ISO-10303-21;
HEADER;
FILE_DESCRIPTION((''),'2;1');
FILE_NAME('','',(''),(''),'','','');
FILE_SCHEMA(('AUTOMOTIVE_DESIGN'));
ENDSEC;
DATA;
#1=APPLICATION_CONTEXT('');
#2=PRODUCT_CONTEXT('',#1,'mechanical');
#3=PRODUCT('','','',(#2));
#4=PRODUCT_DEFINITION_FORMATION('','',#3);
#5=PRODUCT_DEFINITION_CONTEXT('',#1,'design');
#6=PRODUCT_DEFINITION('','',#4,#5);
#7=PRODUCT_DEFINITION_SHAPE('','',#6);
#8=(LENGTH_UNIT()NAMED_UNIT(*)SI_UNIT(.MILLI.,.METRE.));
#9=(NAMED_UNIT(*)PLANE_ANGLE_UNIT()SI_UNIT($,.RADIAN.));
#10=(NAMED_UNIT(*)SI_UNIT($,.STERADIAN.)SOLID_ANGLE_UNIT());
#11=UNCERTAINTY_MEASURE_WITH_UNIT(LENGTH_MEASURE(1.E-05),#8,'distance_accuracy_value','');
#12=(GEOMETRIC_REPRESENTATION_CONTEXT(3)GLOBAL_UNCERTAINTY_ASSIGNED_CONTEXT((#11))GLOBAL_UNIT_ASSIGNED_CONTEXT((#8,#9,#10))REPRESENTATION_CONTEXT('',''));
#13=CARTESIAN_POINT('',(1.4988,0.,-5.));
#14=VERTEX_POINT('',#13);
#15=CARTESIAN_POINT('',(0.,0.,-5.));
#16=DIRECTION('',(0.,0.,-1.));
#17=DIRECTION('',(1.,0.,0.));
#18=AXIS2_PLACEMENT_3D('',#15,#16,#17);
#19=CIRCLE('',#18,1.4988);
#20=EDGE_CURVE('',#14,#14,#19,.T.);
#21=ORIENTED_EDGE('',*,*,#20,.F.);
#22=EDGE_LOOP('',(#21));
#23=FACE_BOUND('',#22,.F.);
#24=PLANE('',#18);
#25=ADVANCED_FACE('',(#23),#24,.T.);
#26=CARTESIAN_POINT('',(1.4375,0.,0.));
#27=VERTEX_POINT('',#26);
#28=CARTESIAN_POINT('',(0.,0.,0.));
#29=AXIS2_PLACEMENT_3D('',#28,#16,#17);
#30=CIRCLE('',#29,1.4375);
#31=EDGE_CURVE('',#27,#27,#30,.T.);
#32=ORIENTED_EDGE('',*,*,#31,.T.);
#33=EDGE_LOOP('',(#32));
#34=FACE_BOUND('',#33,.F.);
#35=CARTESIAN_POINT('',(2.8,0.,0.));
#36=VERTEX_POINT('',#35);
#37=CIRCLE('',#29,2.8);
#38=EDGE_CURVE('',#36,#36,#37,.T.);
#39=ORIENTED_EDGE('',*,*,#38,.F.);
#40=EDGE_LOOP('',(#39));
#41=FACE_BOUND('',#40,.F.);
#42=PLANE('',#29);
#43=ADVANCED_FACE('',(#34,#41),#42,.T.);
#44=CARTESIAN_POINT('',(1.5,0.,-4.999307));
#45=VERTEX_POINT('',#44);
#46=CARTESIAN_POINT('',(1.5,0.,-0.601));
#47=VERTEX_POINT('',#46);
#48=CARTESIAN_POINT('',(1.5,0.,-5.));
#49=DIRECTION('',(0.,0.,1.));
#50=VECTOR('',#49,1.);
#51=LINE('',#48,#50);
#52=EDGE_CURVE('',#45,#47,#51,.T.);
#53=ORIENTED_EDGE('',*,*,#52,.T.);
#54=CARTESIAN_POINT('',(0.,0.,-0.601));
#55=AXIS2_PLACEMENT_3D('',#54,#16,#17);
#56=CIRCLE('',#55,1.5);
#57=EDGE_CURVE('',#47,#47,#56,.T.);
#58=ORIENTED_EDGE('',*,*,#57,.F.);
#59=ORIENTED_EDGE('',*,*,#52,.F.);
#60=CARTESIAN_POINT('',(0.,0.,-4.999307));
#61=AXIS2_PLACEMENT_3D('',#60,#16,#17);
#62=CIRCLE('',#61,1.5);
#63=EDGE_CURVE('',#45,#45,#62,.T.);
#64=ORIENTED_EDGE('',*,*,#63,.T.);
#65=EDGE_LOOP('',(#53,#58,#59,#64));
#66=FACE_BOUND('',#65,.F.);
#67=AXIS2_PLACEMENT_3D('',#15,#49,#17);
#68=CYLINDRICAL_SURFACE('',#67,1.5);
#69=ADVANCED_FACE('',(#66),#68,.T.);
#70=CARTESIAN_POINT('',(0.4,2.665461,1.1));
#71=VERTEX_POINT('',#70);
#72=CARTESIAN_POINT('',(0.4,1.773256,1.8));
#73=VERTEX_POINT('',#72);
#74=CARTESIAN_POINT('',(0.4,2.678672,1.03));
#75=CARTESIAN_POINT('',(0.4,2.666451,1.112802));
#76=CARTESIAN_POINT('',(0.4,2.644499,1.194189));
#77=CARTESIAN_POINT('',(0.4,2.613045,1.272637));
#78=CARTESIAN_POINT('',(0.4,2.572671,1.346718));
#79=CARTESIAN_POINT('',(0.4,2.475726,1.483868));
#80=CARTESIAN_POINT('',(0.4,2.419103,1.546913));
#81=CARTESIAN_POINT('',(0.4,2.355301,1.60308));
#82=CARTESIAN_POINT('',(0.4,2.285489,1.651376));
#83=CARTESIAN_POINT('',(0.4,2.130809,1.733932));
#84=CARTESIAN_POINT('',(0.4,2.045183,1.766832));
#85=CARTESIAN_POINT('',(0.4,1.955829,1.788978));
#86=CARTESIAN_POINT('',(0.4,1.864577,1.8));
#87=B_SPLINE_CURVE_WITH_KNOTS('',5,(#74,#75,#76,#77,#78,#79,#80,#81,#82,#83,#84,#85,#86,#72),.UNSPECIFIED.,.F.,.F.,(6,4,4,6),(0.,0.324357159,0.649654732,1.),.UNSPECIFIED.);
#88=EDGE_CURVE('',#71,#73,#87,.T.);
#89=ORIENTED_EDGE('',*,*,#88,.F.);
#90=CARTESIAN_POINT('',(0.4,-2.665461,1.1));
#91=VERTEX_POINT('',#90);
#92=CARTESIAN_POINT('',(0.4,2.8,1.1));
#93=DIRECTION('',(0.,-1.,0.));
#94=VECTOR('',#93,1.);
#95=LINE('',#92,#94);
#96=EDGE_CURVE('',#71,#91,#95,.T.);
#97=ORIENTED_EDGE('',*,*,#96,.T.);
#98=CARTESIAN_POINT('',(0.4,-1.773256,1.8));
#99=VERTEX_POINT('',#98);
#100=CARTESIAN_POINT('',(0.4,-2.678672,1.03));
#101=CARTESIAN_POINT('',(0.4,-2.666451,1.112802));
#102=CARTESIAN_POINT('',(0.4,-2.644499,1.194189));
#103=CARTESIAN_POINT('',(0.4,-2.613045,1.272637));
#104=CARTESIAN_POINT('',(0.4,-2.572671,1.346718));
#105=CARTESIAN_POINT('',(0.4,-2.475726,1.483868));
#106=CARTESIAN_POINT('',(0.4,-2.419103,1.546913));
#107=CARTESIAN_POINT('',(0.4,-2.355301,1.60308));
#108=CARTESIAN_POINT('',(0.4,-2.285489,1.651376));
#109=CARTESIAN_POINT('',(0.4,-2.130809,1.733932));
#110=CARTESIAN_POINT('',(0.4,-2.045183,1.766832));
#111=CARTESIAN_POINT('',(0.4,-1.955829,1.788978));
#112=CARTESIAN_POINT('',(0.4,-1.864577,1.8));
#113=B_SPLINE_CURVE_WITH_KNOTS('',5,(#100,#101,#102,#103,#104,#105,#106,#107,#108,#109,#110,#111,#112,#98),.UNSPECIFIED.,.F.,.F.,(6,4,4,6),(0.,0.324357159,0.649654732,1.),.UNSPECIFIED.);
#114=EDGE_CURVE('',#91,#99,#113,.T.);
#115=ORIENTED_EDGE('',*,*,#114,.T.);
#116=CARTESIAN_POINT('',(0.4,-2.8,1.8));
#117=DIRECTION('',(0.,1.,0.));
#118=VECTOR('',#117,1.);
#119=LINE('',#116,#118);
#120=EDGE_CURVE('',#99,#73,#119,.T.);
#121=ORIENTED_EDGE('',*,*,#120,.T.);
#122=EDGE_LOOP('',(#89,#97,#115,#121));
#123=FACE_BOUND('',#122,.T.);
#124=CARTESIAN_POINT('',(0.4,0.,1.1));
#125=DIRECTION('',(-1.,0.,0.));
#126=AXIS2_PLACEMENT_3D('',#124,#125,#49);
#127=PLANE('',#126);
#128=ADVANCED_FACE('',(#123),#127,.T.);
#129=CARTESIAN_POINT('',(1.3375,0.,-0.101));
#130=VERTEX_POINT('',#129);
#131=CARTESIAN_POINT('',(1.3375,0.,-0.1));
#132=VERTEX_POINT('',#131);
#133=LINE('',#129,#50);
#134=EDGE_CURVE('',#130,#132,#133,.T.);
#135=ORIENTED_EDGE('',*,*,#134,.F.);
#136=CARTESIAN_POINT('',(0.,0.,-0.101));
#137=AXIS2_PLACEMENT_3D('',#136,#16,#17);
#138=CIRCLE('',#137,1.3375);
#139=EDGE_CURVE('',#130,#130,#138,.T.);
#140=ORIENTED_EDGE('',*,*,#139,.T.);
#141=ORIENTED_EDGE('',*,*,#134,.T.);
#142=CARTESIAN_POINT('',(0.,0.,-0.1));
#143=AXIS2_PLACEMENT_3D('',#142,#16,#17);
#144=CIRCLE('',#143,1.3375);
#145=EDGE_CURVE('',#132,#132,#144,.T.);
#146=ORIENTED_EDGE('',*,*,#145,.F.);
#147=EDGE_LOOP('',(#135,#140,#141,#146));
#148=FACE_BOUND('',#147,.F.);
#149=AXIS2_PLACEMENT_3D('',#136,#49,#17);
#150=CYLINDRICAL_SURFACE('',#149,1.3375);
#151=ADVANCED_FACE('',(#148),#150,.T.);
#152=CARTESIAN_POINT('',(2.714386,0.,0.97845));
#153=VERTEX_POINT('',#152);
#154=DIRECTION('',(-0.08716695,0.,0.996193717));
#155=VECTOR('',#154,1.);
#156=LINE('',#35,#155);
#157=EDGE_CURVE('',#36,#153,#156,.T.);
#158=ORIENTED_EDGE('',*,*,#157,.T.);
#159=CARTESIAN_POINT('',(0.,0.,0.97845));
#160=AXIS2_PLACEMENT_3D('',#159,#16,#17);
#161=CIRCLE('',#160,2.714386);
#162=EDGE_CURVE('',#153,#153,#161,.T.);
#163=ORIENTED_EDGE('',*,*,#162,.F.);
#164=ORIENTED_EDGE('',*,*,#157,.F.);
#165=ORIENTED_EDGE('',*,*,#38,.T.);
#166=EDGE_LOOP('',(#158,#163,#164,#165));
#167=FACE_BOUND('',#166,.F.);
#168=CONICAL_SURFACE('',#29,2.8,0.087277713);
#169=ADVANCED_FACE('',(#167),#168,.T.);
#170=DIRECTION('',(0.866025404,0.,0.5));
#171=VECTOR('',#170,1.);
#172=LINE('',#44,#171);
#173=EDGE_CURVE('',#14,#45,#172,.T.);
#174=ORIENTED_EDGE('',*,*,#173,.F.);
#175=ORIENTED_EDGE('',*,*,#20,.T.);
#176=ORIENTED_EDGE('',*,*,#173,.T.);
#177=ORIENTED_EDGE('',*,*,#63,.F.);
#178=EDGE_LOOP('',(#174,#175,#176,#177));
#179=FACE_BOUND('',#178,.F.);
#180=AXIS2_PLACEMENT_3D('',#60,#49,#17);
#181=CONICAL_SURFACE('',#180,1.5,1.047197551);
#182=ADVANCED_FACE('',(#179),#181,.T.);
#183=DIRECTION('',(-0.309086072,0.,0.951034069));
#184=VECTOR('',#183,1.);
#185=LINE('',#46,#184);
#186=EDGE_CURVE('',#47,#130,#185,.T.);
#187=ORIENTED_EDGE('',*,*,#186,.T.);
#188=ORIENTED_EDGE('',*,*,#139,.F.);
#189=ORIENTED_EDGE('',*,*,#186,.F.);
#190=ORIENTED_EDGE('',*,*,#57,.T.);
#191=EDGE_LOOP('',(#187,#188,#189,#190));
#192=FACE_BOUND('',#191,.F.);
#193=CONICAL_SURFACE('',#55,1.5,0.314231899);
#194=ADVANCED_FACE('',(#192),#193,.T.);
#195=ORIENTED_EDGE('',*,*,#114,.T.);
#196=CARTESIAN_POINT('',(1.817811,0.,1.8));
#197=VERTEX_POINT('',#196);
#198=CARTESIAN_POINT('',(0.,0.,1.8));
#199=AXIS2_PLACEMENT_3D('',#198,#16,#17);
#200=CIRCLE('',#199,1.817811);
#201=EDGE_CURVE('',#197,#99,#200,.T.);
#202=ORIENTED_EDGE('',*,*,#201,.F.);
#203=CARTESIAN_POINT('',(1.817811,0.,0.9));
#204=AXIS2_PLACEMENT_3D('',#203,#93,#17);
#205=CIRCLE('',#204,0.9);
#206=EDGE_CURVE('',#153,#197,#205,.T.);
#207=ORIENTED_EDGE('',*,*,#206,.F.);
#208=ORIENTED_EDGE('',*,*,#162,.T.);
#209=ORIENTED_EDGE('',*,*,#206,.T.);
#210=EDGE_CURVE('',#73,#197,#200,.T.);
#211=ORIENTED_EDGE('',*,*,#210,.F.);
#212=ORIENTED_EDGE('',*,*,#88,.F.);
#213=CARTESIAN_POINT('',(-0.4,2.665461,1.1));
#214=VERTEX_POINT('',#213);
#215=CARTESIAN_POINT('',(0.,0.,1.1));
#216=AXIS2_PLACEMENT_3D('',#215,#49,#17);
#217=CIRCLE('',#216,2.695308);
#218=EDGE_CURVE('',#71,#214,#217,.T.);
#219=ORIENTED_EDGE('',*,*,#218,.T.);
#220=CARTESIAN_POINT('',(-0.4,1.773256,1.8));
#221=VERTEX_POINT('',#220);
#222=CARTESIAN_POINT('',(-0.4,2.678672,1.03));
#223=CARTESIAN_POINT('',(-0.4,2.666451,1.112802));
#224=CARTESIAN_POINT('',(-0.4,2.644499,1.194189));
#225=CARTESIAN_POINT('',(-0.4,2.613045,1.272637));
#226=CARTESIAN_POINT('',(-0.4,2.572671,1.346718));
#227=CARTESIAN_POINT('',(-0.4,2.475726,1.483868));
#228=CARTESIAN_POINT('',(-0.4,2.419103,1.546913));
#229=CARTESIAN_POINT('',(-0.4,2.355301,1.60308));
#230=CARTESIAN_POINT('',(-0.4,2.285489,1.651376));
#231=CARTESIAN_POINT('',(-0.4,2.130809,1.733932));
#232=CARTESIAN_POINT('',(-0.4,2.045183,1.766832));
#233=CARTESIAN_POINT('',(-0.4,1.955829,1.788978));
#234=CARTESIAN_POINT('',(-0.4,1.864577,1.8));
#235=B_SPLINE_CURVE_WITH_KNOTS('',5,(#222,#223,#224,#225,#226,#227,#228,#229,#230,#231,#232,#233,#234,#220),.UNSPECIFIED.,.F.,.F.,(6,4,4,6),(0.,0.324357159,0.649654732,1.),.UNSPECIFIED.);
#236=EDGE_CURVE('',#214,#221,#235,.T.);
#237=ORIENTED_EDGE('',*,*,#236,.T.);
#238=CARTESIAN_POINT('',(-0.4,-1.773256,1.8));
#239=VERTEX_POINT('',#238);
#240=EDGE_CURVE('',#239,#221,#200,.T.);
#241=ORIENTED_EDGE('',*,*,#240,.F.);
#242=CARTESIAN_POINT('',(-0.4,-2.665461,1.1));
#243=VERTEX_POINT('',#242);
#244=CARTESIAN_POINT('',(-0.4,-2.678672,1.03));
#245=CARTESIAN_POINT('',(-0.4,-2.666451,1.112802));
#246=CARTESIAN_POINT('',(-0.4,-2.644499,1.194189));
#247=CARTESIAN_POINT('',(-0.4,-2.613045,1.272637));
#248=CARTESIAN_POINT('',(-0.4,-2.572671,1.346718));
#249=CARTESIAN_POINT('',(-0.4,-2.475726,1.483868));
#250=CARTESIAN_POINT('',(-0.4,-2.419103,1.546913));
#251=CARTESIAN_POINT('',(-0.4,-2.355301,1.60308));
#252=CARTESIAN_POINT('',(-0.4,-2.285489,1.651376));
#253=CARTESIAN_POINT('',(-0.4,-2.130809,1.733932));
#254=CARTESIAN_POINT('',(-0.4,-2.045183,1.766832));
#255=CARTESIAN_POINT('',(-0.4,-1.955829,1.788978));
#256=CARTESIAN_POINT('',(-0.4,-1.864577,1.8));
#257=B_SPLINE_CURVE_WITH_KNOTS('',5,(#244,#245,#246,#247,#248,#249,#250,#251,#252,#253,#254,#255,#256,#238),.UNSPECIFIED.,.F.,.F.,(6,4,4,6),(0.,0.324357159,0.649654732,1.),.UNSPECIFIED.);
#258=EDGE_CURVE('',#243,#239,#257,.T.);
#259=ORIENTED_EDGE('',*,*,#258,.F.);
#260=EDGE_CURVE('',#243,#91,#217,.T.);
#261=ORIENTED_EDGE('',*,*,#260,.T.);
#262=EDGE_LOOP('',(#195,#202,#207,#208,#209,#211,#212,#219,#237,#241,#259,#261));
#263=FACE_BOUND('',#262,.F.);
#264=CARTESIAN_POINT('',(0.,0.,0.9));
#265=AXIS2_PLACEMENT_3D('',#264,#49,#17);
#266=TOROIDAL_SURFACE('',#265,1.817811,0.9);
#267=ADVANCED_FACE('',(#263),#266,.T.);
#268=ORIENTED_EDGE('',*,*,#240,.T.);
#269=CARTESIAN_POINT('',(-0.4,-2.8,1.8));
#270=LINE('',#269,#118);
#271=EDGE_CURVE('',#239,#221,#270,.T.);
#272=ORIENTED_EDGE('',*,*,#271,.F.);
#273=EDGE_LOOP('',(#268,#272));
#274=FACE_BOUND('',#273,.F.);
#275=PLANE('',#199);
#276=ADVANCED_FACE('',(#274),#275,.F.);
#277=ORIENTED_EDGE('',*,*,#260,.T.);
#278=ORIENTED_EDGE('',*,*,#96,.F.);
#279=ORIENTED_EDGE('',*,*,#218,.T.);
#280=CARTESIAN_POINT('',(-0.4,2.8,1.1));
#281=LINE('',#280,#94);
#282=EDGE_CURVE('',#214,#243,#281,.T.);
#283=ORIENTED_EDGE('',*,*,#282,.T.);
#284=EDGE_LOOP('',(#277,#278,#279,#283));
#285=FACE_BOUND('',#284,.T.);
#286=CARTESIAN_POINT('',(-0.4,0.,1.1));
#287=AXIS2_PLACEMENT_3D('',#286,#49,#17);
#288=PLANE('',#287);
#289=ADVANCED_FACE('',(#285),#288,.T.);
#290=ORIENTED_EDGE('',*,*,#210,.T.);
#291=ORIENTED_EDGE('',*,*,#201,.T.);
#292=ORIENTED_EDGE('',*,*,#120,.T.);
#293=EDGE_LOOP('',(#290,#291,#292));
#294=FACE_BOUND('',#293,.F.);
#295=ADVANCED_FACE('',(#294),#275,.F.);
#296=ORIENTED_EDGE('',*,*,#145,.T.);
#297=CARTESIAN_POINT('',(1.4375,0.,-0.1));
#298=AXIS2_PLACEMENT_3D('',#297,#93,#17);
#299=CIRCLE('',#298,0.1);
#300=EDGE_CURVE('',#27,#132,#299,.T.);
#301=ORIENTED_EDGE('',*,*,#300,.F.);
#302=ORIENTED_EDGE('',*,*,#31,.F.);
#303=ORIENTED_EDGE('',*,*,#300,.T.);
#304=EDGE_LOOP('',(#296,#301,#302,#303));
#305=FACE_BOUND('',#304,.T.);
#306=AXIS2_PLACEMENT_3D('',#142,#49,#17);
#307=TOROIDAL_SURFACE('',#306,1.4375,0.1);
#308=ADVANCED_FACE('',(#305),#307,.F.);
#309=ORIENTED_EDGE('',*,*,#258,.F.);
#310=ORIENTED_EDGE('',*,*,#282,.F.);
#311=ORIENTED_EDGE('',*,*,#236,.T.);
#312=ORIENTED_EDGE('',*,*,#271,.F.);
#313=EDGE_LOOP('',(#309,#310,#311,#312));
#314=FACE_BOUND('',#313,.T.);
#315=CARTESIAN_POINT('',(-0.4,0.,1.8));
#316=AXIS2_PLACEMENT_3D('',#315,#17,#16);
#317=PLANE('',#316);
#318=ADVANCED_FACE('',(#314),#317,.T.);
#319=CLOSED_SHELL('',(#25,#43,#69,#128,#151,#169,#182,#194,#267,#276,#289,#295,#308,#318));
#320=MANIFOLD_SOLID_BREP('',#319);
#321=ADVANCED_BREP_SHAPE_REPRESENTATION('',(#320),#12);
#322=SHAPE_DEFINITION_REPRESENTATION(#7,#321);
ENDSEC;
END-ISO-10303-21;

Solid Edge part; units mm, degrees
sketch "Sketch1" plane through (0, 0, 0) normal (0, -1, 0) x (1, 0, 0)
  line L0 (0, -5) -> (1.5, -5)
  line L1 (1.5, -5) -> (1.5, -0.601)
  line L2 (1.5, -0.601) -> (1.3375, -0.101)
  line L3 (1.3375, -0.101) -> (1.3375, 0)
  line L4 (1.3375, 0) -> (2.8, 0)
  line L5 (2.8, 0) -> (2.6425, 1.8)
  line L6 (2.6425, 1.8) -> (0, 1.8)
  dimension "D1" = 1.5
  dimension "D2" = 1.3375
  dimension "D3" = 5
  dimension "D4" = 4.399
  dimension "D5" = 0.5
  dimension "D6" = 2.8
  dimension "D7" = 1.8
revolve "RevolvedProtrusion1" add sketch "Sketch1" angle 360 about axis through (0, 0, 6) along (0, 0, -1)
fillet "Round_1" radius 0.9 1 edges at (-2.6425, 0, 1.8)
sketch "Sketch2" plane through (0, 0, 0) normal (0, -1, 0) x (1, 0, 0)
  line L0 (-0.4, 1.8) -> (-0.4, 1.1)
  line L1 (-0.4, 1.1) -> (0.4, 1.1)
  line L2 (0.4, 1.1) -> (0.4, 1.8)
  line L3 (0.4, 1.8) -> (-0.4, 1.8)
  dimension "D1" = 0.8
  dimension "D2" = 0.7
  dimension "D3" = 1.8
extrude "ExtrudedCutout_1" cut sketch "Sketch2" along normal mid plane 5.6
cosmetic_thread "Thread_1" size "M3" thread depth 4.399
fillet "Round_2" radius 0.1 1 edges at (-1.3375, 0, 0)
chamfer "Chamfer_1" distance 0.0012 angle 30 1 edges at (-1.5, 0, -5) measured on face at (1.03, 0.97, -5)
properties material "Steel"
